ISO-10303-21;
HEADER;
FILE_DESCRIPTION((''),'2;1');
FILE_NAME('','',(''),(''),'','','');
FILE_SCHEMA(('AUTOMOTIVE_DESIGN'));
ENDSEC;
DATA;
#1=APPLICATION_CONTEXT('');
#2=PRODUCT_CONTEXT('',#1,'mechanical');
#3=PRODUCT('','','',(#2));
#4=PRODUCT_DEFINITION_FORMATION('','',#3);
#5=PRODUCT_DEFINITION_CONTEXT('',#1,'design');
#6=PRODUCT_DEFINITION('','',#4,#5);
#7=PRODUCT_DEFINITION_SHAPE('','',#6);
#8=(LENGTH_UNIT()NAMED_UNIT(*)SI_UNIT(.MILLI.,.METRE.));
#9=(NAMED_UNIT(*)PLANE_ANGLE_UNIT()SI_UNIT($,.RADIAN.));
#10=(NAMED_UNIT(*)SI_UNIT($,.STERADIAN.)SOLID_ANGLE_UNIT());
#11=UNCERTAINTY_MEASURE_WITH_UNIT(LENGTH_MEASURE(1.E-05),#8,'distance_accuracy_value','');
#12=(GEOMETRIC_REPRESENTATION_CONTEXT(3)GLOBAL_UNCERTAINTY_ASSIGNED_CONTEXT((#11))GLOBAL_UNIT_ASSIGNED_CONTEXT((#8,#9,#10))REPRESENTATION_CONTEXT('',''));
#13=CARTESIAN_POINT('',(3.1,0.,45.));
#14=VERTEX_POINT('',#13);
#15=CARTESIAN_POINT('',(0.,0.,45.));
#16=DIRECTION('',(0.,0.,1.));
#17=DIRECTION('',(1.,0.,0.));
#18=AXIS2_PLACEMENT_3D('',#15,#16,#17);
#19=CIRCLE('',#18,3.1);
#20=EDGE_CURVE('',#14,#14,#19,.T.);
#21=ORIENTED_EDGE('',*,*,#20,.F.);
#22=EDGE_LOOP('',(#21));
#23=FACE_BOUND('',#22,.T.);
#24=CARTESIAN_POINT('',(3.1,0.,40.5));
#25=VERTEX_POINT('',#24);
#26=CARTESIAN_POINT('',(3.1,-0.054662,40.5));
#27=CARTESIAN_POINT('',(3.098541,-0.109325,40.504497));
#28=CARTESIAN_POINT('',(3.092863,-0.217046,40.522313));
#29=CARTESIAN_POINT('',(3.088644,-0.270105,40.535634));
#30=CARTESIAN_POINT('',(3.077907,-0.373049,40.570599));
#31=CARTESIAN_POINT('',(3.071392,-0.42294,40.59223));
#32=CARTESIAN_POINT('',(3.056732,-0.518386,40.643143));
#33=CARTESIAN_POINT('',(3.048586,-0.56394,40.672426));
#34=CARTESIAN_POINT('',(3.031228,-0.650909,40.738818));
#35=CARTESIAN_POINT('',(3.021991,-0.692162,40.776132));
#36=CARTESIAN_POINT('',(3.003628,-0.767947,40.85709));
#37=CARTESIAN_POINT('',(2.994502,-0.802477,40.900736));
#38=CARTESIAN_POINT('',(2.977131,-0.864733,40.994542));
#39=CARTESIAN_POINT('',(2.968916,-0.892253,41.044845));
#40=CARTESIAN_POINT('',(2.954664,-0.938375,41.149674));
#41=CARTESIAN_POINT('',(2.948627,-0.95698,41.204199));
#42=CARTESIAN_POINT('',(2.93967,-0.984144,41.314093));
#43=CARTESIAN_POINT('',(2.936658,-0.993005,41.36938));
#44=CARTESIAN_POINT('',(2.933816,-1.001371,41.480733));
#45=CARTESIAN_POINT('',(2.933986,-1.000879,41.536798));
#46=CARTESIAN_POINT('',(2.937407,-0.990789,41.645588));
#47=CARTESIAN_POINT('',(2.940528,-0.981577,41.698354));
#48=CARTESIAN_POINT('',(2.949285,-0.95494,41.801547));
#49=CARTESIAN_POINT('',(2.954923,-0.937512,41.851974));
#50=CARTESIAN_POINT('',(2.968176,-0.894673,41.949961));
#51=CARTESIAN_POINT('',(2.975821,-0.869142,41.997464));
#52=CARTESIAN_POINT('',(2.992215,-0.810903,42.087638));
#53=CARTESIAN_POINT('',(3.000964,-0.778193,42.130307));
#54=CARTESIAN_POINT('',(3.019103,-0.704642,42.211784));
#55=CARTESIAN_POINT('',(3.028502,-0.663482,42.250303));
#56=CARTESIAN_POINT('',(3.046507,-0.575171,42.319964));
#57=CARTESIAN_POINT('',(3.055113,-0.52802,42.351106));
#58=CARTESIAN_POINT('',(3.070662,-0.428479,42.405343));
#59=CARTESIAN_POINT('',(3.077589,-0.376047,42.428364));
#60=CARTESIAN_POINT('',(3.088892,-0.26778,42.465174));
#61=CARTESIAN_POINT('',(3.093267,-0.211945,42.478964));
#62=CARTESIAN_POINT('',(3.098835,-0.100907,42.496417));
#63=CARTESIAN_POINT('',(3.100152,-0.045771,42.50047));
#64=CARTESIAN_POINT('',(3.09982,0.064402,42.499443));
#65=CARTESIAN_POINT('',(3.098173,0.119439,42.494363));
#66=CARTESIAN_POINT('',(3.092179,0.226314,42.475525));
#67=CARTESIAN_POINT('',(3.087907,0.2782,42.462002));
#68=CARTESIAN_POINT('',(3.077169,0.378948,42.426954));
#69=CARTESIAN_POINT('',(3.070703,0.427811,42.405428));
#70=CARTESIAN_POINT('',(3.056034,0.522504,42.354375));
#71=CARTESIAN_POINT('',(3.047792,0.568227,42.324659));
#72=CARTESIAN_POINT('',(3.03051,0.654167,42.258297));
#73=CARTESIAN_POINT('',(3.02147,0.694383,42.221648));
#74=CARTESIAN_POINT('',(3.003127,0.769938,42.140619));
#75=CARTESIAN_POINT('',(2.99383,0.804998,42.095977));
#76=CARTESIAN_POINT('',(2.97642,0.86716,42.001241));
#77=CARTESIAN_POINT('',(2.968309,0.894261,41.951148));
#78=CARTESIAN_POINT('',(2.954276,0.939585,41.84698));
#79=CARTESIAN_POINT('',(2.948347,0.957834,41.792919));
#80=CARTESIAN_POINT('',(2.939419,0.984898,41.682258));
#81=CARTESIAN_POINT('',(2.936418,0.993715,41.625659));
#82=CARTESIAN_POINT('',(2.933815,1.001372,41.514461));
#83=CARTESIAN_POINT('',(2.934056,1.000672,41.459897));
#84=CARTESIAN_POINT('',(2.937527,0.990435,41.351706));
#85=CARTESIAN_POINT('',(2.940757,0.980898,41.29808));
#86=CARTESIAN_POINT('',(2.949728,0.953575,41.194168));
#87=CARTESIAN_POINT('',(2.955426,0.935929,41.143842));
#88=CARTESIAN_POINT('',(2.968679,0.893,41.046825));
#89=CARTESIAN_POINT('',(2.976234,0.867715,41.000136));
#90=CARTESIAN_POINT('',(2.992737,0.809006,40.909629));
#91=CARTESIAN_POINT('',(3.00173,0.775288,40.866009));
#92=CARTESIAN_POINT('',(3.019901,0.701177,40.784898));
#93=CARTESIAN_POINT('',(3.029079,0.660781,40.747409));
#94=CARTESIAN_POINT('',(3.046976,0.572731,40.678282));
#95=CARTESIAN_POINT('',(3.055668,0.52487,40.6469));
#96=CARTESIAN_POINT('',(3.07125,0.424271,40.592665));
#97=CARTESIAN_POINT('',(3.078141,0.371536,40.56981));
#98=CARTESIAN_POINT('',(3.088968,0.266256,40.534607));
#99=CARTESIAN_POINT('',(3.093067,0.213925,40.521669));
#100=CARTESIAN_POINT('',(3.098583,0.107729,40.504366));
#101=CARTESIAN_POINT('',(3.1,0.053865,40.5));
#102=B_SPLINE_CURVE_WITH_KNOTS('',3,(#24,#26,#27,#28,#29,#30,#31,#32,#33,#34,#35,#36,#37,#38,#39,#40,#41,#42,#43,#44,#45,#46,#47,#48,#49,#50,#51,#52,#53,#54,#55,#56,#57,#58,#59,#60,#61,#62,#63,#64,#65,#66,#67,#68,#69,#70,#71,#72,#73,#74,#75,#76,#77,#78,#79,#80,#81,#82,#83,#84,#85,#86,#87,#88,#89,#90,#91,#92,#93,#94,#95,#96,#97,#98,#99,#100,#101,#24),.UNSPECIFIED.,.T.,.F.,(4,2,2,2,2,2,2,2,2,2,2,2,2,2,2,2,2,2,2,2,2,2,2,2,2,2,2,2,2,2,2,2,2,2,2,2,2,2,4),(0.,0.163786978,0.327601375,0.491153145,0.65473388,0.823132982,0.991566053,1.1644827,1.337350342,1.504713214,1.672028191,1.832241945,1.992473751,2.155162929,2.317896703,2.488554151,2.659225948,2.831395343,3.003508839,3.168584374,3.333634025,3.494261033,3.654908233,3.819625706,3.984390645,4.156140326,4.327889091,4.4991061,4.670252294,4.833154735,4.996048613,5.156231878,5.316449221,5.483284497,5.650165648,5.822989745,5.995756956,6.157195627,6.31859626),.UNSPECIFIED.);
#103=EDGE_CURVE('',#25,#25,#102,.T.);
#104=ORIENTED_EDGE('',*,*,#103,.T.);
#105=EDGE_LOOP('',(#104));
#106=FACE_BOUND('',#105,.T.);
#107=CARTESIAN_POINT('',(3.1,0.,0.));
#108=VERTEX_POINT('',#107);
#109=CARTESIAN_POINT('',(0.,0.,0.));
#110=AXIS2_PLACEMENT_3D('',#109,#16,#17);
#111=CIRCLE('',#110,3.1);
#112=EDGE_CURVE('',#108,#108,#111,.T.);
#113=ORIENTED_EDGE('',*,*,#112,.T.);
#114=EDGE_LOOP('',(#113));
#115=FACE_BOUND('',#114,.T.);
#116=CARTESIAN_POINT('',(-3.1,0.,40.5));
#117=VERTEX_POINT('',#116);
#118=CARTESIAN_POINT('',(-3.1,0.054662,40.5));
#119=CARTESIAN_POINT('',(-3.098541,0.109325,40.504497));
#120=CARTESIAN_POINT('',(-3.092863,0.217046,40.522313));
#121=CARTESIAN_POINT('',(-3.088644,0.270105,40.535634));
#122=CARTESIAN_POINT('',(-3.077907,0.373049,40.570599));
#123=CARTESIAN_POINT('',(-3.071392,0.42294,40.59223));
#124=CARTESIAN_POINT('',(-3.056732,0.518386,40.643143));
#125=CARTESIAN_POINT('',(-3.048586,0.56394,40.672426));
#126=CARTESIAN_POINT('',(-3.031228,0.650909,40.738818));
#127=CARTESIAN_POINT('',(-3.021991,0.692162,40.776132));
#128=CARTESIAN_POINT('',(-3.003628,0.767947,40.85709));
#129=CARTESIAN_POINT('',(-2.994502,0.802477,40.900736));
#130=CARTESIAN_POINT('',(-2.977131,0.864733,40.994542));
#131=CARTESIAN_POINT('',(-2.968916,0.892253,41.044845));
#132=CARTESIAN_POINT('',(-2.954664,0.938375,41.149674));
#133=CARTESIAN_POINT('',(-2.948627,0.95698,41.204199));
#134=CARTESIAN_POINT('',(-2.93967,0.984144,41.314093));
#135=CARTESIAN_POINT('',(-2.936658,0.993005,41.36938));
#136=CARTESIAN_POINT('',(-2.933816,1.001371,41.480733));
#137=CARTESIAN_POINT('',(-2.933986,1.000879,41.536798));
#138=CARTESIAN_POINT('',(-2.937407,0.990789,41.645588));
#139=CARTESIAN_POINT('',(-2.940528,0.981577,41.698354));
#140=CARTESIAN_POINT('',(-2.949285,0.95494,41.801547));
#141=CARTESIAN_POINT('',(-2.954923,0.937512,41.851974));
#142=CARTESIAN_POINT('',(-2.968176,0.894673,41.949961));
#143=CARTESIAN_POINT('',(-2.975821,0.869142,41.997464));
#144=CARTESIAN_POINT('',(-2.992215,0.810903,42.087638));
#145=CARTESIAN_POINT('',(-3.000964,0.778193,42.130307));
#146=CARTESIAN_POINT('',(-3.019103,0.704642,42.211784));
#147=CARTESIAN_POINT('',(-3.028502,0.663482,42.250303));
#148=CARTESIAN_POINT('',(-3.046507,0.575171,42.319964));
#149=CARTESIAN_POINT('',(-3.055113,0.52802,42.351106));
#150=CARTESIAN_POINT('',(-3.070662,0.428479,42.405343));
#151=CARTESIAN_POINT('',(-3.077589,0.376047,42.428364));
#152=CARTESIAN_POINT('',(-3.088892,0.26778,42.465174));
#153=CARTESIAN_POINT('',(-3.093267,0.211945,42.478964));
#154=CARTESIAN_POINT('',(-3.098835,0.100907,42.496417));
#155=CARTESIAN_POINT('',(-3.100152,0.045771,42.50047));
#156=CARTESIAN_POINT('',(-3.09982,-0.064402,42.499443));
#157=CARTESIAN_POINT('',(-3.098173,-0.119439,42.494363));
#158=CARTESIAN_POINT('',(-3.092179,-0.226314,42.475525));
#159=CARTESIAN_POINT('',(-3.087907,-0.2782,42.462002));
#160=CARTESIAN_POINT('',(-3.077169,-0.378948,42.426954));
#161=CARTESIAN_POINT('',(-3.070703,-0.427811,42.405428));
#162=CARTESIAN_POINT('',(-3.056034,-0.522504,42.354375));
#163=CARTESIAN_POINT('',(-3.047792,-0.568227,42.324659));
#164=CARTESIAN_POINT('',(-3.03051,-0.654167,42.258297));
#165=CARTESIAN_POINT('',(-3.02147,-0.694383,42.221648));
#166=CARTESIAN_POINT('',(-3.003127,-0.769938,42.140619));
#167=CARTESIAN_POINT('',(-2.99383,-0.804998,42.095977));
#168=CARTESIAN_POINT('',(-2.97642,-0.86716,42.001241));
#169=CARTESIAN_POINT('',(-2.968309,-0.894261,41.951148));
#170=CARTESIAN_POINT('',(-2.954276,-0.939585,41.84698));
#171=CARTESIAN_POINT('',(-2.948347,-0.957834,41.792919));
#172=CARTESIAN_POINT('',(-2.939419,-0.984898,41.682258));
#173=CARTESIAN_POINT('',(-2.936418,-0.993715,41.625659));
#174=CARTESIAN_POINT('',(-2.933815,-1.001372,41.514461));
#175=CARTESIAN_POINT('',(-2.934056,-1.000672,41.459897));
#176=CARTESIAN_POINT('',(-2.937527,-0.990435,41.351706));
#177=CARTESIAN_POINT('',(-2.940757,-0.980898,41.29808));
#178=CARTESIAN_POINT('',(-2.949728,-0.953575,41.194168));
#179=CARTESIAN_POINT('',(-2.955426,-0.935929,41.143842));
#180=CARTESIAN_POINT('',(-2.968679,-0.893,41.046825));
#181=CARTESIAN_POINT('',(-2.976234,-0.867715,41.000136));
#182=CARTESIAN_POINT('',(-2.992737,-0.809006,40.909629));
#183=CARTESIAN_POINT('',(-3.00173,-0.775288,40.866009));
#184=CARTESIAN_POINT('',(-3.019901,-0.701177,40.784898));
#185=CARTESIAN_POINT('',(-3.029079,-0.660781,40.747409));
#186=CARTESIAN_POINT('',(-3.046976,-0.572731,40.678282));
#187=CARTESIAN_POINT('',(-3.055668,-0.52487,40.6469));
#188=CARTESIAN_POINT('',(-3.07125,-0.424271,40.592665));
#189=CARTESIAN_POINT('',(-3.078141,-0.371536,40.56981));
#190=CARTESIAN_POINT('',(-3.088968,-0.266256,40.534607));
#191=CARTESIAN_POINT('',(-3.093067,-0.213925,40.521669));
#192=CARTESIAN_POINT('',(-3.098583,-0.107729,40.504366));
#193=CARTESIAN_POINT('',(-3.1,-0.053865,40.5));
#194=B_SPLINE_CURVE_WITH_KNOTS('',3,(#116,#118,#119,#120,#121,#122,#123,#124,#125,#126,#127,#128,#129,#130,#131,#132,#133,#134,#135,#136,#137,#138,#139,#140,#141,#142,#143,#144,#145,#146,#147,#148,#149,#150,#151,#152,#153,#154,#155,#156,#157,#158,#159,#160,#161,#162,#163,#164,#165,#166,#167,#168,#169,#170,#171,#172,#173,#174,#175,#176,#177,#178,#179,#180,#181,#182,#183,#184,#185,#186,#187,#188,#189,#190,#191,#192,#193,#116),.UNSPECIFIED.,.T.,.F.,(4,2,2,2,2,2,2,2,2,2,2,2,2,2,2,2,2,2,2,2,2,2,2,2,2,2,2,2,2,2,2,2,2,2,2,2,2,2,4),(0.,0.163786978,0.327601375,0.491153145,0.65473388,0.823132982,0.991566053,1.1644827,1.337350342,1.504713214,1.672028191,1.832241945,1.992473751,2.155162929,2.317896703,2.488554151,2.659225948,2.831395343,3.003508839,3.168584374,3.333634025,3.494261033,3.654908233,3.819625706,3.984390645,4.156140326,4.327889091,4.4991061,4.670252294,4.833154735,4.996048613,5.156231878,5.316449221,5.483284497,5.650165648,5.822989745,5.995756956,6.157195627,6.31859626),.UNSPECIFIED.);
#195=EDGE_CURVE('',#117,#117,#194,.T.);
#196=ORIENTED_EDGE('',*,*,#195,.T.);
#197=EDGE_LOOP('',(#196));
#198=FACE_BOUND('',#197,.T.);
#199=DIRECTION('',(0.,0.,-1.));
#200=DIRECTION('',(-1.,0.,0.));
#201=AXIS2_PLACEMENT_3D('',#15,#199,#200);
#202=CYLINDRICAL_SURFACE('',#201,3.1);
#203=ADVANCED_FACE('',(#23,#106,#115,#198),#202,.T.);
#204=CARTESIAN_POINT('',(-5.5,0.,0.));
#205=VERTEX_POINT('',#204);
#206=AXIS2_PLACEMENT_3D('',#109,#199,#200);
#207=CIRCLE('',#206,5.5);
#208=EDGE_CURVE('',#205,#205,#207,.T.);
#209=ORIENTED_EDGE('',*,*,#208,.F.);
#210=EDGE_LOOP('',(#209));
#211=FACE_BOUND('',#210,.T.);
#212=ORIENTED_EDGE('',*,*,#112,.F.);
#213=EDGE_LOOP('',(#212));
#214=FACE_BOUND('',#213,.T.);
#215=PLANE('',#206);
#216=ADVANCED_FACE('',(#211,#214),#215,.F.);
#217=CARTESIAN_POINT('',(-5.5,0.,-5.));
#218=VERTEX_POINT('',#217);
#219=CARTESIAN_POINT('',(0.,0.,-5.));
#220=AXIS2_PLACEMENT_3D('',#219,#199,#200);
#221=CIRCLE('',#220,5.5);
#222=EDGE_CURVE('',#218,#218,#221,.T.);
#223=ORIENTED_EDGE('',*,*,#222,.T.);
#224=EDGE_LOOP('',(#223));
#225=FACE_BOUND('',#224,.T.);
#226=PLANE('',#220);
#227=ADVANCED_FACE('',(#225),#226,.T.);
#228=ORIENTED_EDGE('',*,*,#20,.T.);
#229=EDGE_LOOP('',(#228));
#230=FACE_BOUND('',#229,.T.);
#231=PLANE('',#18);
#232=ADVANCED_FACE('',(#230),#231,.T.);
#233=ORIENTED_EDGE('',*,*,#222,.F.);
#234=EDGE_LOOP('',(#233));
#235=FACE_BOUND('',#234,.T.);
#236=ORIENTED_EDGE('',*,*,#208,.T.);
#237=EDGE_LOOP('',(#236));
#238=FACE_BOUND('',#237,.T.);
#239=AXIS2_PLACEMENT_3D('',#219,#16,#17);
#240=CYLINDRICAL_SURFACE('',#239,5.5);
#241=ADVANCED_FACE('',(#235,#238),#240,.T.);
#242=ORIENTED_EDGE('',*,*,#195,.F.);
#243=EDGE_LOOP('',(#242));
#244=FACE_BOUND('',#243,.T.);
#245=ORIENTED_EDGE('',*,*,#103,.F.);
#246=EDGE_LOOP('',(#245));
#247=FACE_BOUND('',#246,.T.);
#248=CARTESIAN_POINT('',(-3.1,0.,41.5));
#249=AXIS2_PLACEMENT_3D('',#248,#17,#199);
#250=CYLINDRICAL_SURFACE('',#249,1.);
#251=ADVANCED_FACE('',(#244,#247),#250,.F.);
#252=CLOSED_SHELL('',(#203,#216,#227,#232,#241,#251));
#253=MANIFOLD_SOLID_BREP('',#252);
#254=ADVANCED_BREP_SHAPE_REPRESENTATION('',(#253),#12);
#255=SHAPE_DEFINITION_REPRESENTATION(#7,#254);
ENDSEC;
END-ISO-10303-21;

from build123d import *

# Parameters (mm, degrees)
SKETCH1_R               = 3.1
BOSS_EXTRUDE1_DEPTH     = 45
SKETCH2_R               = 1
CUT_EXTRUDE1_DEPTH      = 4.1
CUT_EXTRUDE1_DEPTH_BACK = 4.1
SKETCH3_R               = 5.5
BOSS_EXTRUDE2_DEPTH     = 5


with BuildPart() as part:
    # Sketch1 → Boss-Extrude1 (new body)
    with BuildSketch(Plane.XY):
        Circle(SKETCH1_R)
    extrude(amount=BOSS_EXTRUDE1_DEPTH)

    # Sketch2 → Cut-Extrude1 (cut, two sides)
    with BuildSketch(Plane(origin=(0, 0, 0), x_dir=(0, 0, -1), z_dir=(1, 0, 0))) as cut_extrude1_sk:
        with Locations((-41.5, 0)):
            Circle(SKETCH2_R)
    extrude(amount=CUT_EXTRUDE1_DEPTH, mode=Mode.SUBTRACT)
    extrude(cut_extrude1_sk.sketch, amount=-CUT_EXTRUDE1_DEPTH_BACK, mode=Mode.SUBTRACT)

    # Sketch3 → Boss-Extrude2 (add)
    with BuildSketch(Plane(origin=(0, 0, 0), x_dir=(-1, 0, 0), z_dir=(0, 0, -1))):
        Circle(SKETCH3_R)
    extrude(amount=BOSS_EXTRUDE2_DEPTH)


solid = part.part
